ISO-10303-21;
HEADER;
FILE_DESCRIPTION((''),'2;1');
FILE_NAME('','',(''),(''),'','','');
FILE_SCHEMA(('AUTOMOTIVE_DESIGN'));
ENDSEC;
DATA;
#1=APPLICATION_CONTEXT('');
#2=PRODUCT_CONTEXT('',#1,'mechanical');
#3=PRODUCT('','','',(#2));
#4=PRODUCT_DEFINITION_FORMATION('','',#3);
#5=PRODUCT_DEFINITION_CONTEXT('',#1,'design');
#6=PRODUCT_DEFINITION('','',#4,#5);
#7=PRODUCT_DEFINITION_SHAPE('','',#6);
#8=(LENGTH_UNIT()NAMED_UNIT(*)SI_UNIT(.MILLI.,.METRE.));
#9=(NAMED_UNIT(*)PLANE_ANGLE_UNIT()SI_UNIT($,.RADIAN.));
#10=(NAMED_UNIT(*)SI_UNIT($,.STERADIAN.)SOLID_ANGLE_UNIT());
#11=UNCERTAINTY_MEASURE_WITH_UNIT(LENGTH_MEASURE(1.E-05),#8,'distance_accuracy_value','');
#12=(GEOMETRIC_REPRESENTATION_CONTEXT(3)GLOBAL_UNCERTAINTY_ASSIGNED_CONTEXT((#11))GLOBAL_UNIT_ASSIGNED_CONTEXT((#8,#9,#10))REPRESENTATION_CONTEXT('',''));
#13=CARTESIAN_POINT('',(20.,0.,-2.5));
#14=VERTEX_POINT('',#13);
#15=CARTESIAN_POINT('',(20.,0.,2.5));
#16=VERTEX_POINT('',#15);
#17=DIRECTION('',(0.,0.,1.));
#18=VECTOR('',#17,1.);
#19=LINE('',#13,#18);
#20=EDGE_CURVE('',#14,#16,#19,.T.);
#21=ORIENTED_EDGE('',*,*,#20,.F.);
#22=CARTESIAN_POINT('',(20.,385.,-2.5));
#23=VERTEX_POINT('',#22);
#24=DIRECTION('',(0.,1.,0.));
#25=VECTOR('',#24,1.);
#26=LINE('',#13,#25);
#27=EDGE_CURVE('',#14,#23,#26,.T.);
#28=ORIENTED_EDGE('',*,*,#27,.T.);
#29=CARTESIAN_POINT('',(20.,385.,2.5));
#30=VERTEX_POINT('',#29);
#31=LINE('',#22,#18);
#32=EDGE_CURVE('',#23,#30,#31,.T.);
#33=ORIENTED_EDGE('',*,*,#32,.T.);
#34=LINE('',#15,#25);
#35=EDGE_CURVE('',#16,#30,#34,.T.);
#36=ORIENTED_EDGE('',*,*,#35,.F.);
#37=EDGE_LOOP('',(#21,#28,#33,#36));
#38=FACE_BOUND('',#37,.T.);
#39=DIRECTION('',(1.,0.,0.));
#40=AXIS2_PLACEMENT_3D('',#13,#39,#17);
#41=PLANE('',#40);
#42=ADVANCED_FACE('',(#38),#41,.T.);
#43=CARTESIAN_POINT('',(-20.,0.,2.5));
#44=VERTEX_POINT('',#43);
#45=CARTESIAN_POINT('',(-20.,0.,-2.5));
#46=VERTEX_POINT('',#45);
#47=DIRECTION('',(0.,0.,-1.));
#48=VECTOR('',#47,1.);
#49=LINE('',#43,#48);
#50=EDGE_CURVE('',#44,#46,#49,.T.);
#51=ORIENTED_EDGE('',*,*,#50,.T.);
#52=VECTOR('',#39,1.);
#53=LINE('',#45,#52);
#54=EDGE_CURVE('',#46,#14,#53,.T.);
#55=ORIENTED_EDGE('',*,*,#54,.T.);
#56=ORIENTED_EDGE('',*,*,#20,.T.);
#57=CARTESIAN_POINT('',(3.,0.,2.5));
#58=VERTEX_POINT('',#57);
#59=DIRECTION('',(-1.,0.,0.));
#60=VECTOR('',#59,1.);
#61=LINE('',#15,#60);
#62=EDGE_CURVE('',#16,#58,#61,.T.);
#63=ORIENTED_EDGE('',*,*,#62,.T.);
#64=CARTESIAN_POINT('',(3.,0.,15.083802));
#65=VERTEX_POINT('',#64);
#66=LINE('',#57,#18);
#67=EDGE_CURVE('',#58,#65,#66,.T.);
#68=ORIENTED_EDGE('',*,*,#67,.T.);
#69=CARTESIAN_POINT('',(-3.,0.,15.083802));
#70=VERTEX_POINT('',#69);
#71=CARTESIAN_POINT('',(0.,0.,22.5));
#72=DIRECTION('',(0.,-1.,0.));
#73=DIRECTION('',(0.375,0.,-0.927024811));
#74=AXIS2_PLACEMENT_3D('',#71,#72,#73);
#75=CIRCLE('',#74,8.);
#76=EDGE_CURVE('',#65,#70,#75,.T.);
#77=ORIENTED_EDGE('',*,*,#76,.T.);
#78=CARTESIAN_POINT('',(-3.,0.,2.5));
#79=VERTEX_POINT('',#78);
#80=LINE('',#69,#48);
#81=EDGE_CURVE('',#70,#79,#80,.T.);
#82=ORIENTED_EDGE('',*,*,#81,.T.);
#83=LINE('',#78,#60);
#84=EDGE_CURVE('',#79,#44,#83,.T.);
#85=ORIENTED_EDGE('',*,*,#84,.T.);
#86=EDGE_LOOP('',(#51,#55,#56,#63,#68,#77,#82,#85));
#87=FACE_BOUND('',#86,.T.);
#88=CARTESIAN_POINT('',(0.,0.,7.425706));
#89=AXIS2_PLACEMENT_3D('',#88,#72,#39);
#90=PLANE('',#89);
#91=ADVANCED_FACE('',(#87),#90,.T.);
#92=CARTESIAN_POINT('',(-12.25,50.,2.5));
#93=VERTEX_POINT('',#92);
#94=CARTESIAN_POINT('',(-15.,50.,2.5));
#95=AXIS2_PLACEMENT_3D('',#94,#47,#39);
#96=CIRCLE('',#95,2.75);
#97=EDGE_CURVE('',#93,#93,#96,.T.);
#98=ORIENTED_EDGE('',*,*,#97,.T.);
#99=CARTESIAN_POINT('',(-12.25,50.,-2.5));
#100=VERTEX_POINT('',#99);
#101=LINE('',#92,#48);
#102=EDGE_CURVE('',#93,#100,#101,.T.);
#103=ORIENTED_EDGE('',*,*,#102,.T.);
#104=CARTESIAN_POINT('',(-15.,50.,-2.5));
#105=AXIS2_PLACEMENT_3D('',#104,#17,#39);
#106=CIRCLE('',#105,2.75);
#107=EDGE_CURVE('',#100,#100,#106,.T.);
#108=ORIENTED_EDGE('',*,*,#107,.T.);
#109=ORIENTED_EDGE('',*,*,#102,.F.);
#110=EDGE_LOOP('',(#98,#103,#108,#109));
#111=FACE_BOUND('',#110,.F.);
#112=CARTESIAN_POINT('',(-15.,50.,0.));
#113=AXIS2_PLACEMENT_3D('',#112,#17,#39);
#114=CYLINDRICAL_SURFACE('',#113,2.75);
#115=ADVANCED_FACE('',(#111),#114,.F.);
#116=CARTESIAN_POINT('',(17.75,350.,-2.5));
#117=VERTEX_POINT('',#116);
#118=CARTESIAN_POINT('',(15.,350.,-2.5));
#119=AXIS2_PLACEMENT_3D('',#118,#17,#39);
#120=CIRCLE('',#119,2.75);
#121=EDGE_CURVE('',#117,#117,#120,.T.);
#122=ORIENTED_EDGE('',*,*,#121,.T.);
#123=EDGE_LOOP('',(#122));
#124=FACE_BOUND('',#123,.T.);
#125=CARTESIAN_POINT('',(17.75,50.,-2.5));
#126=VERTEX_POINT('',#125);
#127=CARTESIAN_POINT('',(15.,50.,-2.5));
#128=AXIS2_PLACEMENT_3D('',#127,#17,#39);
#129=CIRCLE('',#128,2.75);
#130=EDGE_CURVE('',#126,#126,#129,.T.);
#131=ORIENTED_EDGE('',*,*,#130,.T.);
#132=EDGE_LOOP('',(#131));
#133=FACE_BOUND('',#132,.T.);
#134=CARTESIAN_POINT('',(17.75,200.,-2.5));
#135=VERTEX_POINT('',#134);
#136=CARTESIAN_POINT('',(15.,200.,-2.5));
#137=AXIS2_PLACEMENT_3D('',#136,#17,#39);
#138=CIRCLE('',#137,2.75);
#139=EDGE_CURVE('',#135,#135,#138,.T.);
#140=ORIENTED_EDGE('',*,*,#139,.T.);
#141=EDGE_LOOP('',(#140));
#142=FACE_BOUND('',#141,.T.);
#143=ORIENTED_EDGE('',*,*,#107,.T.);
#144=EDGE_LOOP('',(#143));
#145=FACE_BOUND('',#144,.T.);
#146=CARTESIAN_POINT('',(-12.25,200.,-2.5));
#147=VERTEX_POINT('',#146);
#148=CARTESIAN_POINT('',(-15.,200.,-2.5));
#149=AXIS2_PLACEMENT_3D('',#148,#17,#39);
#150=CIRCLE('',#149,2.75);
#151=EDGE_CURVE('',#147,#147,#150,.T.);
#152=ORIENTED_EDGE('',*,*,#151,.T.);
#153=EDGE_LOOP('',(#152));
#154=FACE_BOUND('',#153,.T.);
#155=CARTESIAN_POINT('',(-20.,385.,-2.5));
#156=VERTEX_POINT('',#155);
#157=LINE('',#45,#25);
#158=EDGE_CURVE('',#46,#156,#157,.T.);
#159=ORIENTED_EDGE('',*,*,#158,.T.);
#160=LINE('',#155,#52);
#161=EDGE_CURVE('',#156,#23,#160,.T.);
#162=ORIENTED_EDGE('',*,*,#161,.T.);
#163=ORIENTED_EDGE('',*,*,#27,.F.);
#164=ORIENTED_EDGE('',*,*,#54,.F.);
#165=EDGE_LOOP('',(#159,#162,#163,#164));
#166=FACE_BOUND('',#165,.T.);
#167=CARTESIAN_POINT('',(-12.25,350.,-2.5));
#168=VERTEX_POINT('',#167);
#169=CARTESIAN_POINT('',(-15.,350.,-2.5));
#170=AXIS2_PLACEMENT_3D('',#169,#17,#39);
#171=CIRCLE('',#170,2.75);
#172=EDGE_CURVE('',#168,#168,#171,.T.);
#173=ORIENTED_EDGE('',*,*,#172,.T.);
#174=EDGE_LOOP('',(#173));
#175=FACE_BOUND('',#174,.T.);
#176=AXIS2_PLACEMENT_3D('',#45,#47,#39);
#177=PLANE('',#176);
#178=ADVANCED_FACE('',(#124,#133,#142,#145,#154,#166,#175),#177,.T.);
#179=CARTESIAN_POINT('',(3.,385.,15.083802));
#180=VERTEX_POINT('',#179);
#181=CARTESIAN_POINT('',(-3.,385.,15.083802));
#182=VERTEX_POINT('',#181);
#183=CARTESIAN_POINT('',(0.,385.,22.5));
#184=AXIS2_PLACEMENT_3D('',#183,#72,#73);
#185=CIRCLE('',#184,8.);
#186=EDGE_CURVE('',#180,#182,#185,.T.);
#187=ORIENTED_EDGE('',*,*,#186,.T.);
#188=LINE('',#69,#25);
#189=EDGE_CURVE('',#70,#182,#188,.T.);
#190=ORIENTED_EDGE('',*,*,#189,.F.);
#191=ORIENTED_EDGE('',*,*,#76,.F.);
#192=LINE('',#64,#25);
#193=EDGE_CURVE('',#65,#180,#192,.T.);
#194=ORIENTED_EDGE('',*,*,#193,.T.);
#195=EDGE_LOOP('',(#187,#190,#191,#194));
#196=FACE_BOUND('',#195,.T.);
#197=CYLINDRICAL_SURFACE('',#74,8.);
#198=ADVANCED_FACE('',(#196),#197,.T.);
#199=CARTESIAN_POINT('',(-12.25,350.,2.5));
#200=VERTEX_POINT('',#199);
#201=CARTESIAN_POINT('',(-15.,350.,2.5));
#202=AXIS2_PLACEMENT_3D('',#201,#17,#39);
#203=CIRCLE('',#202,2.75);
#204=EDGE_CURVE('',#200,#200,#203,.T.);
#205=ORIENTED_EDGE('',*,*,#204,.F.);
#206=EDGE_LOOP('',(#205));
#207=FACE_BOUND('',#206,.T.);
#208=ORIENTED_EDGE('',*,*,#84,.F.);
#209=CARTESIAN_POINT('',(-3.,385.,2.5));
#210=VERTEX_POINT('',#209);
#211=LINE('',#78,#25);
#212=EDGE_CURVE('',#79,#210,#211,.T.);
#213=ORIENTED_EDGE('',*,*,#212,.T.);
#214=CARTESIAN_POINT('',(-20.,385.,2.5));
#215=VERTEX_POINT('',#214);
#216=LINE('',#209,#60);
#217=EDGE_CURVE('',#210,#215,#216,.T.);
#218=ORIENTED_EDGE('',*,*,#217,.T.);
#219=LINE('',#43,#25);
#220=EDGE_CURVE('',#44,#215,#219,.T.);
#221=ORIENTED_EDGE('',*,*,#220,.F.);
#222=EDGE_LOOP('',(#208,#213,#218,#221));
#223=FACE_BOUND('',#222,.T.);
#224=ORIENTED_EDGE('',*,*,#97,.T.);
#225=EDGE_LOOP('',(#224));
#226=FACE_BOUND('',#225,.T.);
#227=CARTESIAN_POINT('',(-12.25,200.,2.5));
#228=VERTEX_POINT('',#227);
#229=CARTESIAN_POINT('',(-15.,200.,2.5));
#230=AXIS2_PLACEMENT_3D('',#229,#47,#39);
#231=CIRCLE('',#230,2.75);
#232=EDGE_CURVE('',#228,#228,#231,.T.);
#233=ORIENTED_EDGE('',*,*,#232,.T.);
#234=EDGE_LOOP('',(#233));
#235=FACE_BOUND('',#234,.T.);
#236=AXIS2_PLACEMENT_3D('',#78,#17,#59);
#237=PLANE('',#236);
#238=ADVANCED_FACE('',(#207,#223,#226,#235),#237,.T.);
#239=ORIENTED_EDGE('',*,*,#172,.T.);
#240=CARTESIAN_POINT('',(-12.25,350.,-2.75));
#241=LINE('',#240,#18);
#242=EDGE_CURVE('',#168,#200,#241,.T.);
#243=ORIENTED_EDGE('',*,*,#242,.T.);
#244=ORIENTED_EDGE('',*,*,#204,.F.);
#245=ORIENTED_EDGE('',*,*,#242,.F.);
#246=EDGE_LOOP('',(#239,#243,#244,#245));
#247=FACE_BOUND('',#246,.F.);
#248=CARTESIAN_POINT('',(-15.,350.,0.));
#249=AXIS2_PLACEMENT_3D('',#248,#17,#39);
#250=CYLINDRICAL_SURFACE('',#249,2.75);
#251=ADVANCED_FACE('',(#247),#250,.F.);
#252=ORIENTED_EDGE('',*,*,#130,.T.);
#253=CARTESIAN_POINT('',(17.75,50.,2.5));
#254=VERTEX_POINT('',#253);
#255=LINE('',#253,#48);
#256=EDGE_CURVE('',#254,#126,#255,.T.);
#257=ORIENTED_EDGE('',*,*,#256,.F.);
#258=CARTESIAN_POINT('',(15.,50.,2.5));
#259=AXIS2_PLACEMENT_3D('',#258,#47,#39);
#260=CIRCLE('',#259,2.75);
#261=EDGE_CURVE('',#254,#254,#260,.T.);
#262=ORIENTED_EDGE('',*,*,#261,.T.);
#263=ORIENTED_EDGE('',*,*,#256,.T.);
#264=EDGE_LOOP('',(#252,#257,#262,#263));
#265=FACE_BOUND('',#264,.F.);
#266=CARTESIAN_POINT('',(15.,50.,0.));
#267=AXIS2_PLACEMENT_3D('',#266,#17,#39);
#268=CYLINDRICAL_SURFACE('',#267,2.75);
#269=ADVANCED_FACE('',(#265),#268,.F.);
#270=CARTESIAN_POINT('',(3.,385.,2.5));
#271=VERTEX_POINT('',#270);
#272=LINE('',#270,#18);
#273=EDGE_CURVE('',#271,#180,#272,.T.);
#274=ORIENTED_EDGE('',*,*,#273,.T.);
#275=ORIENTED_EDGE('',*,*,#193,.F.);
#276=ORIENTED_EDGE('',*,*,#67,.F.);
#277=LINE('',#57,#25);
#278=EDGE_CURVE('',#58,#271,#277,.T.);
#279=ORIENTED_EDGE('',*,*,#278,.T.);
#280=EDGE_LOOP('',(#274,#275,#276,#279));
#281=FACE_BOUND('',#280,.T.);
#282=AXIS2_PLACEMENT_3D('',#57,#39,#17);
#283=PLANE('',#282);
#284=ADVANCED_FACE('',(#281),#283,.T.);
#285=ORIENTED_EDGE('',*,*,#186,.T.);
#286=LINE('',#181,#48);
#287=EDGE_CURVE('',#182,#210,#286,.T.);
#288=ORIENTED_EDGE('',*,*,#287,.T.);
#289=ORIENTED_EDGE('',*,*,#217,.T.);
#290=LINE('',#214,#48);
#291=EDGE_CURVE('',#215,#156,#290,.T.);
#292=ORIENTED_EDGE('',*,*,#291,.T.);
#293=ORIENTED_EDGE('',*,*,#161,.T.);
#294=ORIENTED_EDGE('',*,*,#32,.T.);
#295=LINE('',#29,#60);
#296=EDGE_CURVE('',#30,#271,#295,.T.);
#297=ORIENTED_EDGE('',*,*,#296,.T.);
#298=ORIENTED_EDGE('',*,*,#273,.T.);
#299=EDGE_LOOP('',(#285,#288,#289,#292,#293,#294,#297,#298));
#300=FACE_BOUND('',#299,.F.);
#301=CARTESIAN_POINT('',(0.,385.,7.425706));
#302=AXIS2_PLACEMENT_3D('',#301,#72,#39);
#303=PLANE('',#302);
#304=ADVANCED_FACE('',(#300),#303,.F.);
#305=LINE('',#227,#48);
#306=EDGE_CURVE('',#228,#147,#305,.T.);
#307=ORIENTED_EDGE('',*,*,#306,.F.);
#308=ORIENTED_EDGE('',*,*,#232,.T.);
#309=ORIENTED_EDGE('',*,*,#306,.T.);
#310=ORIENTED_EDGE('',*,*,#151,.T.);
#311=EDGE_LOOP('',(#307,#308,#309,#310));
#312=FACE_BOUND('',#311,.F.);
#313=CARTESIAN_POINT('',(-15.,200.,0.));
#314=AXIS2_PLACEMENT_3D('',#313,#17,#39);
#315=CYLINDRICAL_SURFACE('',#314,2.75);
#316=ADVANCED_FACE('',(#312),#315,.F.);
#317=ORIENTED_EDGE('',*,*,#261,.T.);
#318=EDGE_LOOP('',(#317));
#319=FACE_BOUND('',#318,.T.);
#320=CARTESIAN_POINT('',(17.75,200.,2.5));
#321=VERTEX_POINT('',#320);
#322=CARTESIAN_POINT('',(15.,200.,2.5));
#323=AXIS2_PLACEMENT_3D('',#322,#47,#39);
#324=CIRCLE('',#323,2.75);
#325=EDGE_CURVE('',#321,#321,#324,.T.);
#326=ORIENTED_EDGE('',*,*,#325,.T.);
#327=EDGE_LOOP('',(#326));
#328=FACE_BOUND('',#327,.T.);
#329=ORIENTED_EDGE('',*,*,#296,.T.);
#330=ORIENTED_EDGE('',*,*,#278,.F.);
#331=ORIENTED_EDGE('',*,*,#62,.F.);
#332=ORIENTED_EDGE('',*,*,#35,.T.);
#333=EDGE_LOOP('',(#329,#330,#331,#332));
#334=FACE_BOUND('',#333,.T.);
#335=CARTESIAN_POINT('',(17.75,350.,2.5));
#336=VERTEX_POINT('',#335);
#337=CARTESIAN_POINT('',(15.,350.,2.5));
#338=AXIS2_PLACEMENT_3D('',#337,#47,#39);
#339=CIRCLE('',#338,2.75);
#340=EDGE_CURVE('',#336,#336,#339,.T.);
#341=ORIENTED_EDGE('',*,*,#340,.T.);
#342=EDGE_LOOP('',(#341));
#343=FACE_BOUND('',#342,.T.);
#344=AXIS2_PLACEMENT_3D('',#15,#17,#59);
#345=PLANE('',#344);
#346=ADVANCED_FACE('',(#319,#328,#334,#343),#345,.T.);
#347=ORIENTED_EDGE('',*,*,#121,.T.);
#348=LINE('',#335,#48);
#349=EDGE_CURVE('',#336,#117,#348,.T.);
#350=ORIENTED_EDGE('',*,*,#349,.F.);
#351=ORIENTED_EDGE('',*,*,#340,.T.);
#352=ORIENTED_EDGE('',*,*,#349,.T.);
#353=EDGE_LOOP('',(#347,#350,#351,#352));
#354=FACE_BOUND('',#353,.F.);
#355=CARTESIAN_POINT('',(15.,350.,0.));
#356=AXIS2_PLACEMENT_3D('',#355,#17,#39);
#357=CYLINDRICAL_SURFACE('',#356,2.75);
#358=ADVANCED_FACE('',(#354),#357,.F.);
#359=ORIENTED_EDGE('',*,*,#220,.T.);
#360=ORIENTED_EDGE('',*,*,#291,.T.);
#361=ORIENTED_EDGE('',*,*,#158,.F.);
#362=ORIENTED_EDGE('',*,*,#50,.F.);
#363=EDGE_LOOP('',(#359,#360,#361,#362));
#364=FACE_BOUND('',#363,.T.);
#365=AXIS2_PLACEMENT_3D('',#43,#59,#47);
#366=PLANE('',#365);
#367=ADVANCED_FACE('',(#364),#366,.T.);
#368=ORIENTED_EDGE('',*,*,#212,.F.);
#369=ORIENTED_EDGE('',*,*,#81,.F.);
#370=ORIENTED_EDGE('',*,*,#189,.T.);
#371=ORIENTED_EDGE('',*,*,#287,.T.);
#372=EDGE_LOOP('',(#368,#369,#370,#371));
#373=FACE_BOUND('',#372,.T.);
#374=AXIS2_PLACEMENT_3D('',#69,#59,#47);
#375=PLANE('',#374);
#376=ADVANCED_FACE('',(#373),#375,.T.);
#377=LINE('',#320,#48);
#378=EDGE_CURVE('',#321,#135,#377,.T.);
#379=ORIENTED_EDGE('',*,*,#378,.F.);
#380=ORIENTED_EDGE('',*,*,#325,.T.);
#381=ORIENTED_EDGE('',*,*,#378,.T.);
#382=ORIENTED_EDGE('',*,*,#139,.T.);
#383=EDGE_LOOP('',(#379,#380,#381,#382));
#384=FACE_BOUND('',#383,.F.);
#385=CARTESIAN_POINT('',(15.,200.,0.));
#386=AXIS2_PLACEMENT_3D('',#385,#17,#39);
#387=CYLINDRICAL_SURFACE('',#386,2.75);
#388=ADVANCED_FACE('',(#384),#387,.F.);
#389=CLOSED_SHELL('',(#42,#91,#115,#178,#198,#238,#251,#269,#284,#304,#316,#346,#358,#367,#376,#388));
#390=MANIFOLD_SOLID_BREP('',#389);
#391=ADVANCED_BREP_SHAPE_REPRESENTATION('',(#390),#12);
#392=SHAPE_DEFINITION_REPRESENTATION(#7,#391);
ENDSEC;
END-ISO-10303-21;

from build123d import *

# Parameters (mm, degrees)
F2_DEPTH = 385
F1_R     = 2.75
F3_DEPTH = 2.75


with BuildPart() as f2:
    # F0 (on Front) → F2 (new body)
    with BuildSketch(Plane.XZ):
        with BuildLine():
            Line((20, -2.5), (20, 2.5))
            Line((20, 2.5), (3, 2.5))
            Line((3, 2.5), (3, 15.0838015129))
            ThreePointArc((3, 15.0838015129), (0, 30.5), (-3, 15.0838015129))
            Line((-3, 15.0838015129), (-3, 2.5))
            Line((-3, 2.5), (-20, 2.5))
            Line((-20, 2.5), (-20, -2.5))
            Line((-20, -2.5), (20, -2.5))
        make_face()
    extrude(amount=-F2_DEPTH)

    # F1 (on Top) → F3 (cut, symmetric)
    with BuildSketch(Plane.XY):
        with Locations((15, 50)):
            Circle(F1_R)
        with Locations((15, 200)):
            Circle(F1_R)
        with Locations((15, 350)):
            Circle(F1_R)
        with Locations((-15, 50)):
            Circle(F1_R)
        with Locations((-15, 200)):
            Circle(F1_R)
        with Locations((-15, 350)):
            Circle(F1_R)
    extrude(amount=F3_DEPTH, both=True, mode=Mode.SUBTRACT)


solid = f2.part
